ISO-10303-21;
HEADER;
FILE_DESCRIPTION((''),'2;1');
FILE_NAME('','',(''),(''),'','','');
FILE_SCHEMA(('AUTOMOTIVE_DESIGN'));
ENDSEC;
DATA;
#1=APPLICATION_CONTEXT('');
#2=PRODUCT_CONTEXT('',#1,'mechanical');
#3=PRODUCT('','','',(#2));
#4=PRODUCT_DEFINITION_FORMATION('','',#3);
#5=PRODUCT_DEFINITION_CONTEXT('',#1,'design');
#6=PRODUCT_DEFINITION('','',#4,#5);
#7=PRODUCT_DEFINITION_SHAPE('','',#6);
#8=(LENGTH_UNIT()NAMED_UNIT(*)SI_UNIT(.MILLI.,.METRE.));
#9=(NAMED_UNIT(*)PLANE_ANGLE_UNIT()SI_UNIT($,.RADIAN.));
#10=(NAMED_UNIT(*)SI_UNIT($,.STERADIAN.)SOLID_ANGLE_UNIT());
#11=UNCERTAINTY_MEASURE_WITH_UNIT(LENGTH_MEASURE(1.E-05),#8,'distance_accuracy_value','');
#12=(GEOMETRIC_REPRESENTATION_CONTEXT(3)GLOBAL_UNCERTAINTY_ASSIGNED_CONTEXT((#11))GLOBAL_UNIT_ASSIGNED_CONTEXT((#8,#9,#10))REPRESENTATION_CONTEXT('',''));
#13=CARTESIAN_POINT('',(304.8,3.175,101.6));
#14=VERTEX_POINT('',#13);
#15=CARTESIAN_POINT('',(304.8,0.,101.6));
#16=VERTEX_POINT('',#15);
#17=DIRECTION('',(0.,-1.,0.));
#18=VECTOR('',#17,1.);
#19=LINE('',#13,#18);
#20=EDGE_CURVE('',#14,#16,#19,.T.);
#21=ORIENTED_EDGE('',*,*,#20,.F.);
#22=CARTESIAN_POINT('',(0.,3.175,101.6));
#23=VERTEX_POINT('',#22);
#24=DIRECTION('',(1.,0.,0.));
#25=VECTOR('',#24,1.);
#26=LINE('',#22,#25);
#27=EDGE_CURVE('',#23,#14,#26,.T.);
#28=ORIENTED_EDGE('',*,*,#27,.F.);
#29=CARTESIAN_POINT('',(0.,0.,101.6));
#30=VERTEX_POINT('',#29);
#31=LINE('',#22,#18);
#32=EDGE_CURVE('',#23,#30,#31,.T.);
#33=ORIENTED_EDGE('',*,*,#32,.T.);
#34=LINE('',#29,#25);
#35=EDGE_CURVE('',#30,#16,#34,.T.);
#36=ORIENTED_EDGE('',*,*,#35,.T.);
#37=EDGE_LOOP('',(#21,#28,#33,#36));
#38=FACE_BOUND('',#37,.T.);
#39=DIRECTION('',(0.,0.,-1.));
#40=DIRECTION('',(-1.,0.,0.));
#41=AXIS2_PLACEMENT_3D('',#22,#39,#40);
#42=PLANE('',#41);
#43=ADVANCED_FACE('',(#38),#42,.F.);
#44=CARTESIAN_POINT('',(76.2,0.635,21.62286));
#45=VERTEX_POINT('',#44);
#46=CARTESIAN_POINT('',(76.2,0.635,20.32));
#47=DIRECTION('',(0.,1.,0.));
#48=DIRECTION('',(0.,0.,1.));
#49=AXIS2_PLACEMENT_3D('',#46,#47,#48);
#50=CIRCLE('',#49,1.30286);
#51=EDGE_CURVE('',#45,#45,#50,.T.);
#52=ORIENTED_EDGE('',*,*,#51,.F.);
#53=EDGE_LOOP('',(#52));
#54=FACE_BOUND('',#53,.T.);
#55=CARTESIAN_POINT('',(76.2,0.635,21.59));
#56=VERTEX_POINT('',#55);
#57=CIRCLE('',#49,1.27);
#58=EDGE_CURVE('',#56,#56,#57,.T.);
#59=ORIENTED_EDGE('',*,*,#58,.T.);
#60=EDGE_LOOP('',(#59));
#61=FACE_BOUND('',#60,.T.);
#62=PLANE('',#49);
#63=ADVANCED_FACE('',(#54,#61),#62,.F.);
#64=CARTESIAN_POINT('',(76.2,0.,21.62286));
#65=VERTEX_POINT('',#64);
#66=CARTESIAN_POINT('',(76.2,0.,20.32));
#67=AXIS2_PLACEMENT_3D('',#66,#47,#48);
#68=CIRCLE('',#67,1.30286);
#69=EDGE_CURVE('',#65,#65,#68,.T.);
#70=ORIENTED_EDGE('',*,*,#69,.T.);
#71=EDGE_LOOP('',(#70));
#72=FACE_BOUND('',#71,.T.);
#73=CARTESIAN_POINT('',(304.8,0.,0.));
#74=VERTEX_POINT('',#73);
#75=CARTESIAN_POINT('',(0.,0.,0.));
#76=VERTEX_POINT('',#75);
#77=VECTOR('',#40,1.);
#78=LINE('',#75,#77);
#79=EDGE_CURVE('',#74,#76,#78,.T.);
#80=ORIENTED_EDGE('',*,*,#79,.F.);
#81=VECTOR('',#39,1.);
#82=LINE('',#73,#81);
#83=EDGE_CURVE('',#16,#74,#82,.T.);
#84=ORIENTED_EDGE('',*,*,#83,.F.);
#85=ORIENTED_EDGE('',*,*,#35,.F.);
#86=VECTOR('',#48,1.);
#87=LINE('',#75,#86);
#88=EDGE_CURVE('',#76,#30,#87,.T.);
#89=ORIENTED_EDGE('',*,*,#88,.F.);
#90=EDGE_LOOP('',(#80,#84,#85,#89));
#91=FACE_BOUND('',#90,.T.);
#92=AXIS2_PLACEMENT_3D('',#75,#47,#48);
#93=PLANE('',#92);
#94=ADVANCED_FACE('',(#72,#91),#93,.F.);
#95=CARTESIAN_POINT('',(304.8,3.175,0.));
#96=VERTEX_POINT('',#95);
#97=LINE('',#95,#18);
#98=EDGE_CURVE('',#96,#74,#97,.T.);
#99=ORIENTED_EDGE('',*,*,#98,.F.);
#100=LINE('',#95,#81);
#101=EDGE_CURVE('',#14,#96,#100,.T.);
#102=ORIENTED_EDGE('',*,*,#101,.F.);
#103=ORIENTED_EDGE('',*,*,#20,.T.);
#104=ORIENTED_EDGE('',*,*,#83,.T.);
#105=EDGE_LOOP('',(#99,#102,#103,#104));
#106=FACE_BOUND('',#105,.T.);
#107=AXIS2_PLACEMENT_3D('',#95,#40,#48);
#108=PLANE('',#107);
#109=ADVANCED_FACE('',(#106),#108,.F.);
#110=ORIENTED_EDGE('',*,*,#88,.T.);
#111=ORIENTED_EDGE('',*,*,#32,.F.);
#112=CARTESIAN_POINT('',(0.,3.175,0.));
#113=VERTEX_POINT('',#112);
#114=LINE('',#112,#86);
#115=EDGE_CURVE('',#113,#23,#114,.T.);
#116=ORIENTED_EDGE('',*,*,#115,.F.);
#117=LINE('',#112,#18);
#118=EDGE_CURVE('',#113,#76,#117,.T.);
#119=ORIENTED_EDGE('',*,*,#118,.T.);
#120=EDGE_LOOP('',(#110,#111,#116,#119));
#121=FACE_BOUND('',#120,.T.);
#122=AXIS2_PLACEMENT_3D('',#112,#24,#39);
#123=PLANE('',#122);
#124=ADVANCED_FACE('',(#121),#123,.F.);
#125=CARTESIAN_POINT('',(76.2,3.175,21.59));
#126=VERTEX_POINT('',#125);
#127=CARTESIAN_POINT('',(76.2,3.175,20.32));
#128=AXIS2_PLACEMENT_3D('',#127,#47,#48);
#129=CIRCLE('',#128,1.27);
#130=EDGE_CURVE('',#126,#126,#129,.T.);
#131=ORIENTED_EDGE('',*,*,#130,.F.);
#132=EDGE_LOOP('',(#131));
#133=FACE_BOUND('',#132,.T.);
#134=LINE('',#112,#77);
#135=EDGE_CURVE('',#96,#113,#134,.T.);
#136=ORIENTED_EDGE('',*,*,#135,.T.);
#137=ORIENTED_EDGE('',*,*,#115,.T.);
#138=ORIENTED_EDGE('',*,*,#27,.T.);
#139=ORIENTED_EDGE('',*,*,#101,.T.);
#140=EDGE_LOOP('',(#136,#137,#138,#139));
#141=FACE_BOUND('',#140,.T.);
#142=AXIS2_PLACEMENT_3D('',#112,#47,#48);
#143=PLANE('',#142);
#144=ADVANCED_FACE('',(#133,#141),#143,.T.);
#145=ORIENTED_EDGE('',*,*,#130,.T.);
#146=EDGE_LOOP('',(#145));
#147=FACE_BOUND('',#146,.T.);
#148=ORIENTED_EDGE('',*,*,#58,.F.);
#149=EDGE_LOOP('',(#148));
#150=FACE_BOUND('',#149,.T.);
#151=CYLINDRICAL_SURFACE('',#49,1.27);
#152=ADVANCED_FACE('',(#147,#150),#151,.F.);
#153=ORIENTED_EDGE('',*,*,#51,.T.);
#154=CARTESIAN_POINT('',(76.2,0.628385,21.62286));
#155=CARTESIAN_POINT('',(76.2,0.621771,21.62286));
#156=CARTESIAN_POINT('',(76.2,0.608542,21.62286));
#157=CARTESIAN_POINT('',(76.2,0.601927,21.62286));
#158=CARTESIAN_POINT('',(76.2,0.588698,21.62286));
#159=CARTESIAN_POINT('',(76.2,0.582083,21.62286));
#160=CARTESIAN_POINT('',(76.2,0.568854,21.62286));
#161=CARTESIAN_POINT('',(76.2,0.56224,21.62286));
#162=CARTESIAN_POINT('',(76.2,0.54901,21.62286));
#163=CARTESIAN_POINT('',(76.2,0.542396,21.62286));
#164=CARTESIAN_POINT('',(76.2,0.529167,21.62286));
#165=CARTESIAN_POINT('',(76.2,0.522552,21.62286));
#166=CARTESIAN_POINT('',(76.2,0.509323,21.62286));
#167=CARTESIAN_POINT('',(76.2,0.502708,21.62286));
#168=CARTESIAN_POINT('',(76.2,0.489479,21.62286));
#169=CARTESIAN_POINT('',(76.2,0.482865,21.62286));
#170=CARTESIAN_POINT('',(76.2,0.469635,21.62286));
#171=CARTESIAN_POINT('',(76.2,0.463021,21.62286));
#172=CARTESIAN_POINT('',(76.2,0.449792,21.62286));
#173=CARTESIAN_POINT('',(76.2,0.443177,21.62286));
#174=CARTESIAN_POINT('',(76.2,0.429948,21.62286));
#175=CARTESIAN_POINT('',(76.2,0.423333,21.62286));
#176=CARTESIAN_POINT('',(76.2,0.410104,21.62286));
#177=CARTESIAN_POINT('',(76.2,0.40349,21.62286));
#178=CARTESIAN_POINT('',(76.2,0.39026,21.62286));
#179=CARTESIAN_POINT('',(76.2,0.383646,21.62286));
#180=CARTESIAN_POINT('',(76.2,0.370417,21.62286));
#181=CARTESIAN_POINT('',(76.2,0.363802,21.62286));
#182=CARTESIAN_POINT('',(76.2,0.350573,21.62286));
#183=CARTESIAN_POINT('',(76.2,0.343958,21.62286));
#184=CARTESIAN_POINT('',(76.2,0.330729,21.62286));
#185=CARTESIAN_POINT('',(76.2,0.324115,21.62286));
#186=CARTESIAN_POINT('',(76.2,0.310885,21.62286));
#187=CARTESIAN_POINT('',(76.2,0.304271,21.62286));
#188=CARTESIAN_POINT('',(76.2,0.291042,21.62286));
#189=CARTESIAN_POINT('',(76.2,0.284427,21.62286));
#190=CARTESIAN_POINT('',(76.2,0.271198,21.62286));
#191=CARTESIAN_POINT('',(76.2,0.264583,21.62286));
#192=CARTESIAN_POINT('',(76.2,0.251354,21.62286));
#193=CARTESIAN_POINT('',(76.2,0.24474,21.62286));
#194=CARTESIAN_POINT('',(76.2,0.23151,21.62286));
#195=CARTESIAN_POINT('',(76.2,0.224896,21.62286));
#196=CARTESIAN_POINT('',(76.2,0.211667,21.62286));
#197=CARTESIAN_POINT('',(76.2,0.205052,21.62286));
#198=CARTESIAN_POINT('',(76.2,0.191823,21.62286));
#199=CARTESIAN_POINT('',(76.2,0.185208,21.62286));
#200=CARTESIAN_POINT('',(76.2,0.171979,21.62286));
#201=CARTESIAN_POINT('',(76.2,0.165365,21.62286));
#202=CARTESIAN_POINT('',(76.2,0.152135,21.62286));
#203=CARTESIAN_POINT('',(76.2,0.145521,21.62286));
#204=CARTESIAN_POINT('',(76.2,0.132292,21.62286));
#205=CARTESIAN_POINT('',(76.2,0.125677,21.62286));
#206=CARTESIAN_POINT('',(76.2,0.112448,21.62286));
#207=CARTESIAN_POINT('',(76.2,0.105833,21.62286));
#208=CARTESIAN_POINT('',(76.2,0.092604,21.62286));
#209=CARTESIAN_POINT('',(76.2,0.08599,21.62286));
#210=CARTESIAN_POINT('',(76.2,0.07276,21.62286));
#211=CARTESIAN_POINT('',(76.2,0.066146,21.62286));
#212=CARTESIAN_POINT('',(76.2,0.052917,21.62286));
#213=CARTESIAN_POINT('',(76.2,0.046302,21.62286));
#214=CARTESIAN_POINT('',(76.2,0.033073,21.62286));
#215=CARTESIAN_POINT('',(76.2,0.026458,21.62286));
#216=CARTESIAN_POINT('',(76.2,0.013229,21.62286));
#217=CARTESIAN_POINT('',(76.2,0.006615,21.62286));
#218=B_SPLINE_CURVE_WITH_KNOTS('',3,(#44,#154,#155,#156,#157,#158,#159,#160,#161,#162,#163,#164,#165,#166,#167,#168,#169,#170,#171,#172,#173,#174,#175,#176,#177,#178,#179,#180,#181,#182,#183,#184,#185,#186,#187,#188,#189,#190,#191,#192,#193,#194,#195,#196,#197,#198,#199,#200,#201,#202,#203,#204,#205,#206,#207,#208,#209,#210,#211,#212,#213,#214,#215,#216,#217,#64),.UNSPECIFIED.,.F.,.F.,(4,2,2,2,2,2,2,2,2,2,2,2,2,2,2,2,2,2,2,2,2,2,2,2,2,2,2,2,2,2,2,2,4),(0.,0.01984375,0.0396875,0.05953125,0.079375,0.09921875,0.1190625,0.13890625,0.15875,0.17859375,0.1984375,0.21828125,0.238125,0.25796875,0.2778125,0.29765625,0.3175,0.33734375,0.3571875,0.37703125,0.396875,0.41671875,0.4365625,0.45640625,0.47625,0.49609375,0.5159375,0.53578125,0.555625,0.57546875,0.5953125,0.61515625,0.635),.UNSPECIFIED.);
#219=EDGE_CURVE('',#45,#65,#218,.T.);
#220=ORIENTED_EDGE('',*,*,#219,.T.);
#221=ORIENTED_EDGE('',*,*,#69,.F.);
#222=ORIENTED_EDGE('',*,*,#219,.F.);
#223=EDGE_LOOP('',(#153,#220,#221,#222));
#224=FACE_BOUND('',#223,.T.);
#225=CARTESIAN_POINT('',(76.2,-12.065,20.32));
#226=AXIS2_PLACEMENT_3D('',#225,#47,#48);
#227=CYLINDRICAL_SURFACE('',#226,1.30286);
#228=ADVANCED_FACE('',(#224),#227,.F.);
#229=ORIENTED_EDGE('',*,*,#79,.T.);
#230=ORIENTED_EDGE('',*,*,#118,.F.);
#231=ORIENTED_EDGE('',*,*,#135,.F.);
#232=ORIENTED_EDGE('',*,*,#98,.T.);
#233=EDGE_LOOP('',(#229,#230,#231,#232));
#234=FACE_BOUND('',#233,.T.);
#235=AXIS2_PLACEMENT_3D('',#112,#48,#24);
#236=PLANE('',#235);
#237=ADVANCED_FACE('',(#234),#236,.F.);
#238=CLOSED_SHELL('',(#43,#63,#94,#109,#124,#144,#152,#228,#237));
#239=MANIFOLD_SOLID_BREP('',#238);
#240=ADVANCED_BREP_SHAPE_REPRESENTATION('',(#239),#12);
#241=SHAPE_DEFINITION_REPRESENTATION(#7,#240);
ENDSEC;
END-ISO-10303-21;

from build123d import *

# Parameters (mm, degrees)
SKETCH1_W           = 304.8
SKETCH1_H           = 101.6
BOSS_EXTRUDE1_DEPTH = 3.175
SKETCH3_R           = 1.27
CUT_EXTRUDE1_DEPTH  = 2.54
SKETCH4_R           = 1.302859954
CUT_EXTRUDE2_DEPTH  = 12.7


with BuildPart() as part:
    # Sketch1 → Boss-Extrude1 (new body)
    with BuildSketch(Plane(origin=(0, 0, 0), x_dir=(1, 0, 0), z_dir=(0, 1, 0))):
        with Locations((152.4, -50.8)):
            Rectangle(SKETCH1_W, SKETCH1_H)
    extrude(amount=BOSS_EXTRUDE1_DEPTH)

    # Sketch3 → Cut-Extrude1 (cut)
    with BuildSketch(Plane(origin=(0, 3.175, 0), x_dir=(1, 0, 0), z_dir=(0, 1, 0))):
        with Locations(Location((76.2, -20.32, 0), (0, 0, 270))):
            Circle(SKETCH3_R)
    extrude(amount=-CUT_EXTRUDE1_DEPTH, mode=Mode.SUBTRACT)

    # Sketch4 → Cut-Extrude2 (cut)
    with BuildSketch(Plane(origin=(0, 0.635, 0), x_dir=(1, 0, 0), z_dir=(0, 1, 0))):
        with Locations(Location((76.2, -20.32, 0), (0, 0, 270))):
            Circle(SKETCH4_R)
    extrude(amount=-CUT_EXTRUDE2_DEPTH, mode=Mode.SUBTRACT)


solid = part.part
